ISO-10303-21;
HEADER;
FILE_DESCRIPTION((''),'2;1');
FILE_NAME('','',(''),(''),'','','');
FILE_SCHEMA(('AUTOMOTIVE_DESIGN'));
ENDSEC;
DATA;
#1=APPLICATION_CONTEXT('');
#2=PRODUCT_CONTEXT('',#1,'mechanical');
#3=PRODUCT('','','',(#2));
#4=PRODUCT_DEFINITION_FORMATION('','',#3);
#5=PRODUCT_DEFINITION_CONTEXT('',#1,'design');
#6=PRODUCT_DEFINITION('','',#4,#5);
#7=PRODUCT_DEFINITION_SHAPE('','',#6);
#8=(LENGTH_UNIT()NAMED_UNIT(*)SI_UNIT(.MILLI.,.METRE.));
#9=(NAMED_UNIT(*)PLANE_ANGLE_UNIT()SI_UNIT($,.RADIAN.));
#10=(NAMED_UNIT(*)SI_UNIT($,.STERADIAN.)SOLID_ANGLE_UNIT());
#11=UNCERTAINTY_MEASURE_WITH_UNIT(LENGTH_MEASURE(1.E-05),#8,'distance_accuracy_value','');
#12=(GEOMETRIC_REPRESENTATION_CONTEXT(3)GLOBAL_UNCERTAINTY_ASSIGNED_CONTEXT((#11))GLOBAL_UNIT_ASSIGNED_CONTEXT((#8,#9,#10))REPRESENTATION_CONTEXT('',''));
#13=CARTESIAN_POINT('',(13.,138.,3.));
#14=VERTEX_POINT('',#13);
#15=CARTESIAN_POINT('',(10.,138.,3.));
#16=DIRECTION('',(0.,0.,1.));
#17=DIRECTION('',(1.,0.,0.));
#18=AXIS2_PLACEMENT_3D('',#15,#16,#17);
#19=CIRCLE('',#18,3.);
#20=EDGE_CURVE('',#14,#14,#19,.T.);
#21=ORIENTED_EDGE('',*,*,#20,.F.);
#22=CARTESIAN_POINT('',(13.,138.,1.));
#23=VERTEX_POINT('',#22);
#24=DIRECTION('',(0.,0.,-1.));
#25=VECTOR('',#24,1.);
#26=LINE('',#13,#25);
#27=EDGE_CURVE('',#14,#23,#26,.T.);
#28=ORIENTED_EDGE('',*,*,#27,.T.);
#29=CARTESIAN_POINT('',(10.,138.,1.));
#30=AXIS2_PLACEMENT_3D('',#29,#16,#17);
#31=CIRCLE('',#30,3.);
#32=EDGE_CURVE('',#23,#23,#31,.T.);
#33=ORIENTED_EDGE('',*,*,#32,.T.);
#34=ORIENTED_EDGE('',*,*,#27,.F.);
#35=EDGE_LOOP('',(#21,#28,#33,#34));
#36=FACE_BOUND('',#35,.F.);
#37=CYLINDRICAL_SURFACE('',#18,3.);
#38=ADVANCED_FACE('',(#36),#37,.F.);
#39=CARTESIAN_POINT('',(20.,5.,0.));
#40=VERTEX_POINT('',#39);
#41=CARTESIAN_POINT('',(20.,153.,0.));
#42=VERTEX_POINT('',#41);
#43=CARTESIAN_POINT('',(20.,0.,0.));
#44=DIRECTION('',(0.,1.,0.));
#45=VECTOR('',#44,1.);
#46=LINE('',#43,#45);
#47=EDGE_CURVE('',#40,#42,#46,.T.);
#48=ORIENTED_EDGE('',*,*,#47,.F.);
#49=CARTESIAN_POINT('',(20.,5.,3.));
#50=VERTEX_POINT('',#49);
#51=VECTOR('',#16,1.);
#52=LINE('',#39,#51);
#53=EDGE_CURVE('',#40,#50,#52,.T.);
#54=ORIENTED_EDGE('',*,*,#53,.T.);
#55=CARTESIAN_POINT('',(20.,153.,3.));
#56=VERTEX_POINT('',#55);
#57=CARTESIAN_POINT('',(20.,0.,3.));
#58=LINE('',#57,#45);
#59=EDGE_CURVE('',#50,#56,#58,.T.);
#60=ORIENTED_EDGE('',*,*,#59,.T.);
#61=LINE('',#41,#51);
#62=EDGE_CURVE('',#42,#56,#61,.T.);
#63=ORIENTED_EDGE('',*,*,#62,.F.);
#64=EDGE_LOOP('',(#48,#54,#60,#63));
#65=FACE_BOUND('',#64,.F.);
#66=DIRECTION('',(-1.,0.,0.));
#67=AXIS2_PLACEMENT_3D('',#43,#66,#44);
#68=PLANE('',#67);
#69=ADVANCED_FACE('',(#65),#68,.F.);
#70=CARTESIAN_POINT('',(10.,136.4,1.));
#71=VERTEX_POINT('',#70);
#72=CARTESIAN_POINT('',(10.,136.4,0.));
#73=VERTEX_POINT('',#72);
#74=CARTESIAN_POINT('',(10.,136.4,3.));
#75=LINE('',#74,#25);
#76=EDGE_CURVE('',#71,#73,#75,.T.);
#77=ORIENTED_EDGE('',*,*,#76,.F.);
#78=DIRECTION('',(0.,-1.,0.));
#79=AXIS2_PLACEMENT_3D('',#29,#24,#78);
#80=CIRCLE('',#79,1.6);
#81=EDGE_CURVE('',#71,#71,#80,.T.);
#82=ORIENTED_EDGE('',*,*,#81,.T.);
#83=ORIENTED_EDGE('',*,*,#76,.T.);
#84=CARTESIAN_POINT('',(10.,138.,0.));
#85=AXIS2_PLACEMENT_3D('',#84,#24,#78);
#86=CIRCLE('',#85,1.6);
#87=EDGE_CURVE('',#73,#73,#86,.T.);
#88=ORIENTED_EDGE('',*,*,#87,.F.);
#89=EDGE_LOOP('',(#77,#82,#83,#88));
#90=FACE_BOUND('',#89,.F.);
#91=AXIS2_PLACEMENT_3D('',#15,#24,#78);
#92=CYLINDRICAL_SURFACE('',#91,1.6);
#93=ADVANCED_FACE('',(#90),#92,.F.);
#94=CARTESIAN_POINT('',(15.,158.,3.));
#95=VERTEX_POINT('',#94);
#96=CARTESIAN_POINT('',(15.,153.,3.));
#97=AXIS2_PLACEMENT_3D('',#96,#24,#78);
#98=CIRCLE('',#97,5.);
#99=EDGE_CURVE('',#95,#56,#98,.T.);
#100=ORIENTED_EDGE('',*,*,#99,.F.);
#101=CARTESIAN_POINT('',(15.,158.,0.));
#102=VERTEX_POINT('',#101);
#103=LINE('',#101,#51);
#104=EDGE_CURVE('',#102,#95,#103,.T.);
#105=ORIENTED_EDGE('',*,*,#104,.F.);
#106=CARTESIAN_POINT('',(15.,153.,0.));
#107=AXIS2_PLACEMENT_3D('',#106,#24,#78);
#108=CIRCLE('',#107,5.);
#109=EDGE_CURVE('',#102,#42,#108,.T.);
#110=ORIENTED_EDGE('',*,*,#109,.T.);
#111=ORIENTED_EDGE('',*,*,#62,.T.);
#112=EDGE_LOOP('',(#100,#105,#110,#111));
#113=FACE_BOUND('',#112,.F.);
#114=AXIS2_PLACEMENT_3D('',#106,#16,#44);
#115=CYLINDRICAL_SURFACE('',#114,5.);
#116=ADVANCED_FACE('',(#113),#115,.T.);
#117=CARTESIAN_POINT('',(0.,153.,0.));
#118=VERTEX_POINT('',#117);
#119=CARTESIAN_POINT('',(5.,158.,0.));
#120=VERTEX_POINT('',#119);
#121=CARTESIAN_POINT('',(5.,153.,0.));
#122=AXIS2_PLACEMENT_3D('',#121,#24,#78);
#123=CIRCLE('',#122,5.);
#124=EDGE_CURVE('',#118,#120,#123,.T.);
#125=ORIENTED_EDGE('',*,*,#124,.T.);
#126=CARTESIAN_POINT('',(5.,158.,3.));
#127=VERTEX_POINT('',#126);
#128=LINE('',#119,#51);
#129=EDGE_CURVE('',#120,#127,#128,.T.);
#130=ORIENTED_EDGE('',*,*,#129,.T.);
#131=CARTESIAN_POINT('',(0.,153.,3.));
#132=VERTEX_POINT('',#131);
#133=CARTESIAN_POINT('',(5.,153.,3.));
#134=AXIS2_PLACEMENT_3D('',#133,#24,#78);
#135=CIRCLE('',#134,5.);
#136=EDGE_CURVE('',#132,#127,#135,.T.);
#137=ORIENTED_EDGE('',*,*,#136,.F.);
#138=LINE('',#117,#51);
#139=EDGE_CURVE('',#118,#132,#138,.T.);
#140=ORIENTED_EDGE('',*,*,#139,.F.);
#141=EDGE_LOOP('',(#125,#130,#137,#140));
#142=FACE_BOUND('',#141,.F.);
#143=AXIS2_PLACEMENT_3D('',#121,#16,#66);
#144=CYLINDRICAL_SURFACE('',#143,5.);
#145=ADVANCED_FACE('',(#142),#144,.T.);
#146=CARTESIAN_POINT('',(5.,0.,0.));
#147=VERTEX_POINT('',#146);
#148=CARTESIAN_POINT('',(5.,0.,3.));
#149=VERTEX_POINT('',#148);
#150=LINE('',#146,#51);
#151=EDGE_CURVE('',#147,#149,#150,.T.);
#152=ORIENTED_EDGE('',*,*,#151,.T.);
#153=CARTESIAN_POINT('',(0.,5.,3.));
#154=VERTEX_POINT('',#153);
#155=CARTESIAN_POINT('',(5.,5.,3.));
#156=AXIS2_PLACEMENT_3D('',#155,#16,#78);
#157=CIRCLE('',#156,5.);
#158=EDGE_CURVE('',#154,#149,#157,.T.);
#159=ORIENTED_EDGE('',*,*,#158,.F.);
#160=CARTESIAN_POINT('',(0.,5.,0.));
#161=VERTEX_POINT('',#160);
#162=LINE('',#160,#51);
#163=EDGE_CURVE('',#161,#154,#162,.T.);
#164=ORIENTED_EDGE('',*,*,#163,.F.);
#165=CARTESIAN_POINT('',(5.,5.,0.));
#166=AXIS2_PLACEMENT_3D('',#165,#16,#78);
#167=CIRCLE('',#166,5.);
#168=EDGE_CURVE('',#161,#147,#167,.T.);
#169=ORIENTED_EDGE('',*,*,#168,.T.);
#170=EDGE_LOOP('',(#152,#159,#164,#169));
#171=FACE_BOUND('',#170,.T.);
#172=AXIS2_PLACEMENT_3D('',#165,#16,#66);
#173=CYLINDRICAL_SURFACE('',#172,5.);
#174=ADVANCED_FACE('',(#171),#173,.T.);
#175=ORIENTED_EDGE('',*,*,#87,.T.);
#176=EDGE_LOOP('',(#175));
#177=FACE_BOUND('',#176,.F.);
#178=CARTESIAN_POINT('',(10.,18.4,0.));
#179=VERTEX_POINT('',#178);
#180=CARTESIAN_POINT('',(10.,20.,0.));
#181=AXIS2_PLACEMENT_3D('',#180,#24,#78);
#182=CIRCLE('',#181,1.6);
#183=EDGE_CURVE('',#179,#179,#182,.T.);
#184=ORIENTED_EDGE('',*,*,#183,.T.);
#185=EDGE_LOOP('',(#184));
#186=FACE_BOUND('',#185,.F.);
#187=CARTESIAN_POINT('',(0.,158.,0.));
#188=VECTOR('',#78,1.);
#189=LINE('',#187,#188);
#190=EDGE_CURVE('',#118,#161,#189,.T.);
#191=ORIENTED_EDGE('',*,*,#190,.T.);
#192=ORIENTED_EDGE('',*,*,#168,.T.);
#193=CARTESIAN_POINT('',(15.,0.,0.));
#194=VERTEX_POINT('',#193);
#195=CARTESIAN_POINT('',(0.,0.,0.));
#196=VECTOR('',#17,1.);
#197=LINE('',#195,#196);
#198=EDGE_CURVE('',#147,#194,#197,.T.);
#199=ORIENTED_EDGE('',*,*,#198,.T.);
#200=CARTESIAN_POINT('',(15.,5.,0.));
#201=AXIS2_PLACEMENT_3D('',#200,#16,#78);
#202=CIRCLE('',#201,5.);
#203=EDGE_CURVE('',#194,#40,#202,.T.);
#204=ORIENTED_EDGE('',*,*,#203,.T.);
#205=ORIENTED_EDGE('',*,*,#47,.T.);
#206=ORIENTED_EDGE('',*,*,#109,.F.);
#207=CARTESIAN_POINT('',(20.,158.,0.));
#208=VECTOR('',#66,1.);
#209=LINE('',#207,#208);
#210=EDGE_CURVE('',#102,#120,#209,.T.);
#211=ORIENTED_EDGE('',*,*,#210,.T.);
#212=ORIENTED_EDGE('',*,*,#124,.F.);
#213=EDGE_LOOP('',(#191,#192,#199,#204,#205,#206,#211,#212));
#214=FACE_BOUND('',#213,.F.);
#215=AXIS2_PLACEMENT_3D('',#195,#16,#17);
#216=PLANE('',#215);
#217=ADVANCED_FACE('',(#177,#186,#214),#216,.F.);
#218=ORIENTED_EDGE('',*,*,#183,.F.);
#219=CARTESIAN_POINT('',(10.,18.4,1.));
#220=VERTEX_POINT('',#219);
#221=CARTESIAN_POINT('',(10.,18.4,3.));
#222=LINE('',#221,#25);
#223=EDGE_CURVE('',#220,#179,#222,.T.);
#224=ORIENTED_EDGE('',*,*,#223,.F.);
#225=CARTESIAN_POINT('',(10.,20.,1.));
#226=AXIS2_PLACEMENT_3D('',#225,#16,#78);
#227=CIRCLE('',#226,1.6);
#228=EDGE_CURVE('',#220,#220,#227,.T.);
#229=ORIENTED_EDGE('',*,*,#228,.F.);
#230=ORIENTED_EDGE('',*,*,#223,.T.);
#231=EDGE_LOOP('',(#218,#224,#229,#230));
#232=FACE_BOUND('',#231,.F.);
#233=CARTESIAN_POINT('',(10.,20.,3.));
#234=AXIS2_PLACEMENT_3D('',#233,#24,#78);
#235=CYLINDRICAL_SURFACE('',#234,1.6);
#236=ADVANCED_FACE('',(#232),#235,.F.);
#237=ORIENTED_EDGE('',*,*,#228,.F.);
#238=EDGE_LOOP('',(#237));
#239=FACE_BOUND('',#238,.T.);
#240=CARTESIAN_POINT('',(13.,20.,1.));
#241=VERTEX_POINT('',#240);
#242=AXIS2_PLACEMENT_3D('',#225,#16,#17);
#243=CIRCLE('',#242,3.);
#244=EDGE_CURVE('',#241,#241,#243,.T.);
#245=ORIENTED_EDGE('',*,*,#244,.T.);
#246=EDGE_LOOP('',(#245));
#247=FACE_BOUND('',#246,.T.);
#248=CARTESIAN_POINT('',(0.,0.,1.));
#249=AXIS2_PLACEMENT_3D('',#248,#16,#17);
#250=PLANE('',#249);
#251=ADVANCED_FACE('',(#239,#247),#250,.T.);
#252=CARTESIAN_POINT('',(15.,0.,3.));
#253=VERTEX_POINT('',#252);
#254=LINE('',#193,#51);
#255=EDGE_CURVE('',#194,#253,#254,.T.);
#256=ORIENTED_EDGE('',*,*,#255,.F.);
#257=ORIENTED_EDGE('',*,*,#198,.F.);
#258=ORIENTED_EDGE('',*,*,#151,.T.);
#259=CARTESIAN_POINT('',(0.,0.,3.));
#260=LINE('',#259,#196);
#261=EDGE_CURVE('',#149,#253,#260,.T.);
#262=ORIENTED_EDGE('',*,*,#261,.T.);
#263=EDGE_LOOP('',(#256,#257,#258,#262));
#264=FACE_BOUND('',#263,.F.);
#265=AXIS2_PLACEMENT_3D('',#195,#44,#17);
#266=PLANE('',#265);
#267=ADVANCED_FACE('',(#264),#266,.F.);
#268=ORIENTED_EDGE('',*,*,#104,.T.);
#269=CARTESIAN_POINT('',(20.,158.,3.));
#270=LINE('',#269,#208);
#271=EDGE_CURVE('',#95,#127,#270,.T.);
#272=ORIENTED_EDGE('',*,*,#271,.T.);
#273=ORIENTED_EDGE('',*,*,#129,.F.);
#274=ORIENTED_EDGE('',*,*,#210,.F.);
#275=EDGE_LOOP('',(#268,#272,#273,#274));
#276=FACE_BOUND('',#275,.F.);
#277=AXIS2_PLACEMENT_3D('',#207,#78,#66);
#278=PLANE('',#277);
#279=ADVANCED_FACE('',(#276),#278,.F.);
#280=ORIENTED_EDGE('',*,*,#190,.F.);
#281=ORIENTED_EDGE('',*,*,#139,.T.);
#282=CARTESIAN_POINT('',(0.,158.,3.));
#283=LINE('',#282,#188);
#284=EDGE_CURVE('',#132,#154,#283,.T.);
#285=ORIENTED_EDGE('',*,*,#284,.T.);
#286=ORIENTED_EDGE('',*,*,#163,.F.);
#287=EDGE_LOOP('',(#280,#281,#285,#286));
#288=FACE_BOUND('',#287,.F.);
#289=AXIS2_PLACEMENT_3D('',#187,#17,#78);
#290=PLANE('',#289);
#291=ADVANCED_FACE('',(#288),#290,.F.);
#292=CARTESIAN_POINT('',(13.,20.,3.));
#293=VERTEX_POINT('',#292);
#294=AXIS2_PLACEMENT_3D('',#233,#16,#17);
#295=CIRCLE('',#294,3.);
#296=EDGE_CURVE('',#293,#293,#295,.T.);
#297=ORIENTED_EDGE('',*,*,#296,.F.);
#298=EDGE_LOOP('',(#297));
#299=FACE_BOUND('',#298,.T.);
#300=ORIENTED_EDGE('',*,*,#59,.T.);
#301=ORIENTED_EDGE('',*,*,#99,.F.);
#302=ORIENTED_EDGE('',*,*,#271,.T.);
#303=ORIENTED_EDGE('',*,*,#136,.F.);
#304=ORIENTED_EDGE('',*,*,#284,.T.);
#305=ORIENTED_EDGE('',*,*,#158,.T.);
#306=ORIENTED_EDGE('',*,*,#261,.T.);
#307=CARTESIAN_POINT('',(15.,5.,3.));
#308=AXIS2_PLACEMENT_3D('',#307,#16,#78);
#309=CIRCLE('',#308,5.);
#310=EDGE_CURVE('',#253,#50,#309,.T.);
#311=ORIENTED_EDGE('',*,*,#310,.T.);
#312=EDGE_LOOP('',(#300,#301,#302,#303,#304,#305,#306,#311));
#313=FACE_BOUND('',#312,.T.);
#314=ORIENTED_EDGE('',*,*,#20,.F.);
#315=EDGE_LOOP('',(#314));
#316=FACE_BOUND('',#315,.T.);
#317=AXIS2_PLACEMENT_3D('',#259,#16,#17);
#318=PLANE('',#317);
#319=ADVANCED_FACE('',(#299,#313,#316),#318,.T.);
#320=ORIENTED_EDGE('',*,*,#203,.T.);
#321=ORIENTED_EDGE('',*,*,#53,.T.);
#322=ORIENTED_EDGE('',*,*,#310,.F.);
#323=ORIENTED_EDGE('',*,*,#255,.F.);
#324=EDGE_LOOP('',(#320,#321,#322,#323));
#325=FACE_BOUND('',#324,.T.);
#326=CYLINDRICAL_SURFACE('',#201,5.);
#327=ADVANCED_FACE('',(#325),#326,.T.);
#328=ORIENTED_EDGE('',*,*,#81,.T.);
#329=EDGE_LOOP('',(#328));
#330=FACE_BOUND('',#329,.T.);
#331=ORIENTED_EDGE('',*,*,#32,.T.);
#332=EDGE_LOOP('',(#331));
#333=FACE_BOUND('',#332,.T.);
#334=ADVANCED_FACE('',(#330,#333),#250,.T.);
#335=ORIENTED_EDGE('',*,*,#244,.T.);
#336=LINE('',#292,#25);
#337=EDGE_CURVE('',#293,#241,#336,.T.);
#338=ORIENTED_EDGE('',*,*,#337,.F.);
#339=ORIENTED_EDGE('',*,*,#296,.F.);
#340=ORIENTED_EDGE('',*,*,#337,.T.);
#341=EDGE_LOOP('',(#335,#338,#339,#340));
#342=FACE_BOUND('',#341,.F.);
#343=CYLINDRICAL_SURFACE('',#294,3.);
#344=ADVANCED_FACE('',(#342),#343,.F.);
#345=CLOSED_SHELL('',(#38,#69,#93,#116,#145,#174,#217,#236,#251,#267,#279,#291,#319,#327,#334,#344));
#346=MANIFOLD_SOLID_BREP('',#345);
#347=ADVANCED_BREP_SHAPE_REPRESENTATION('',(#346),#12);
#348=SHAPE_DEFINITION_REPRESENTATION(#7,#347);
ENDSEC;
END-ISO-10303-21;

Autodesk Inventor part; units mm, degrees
ref_plane "YZ Plane" through (0, 0, 0) normal (1, 0, 0) x (0, 1, 0)
ref_plane "XZ Plane" through (0, 0, 0) normal (0, 1, 0) x (-1, 0, 0)
ref_plane "XY Plane" through (0, 0, 0) normal (0, 0, 1) x (1, 0, 0)
sketch "スケッチ1" plane through (0, 0, 0) normal (0, 0, 1) x (1, 0, 0)
  line L0 (0, 0) -> (20, 0)
  line L1 (20, 0) -> (20, 158)
  line L2 (20, 158) -> (0, 158)
  line L3 (0, 158) -> (0, 0)
  dimension "d0" = 158
  dimension "d1" = 20
extrude "押し出し1" add sketch "スケッチ1" along normal blind 3
sketch "スケッチ2" plane through (0, 0, 3) normal (0, 0, 1) x (1, 0, 0)
  line L0 (0, 0) -> (20, 0) projected
  line L1 (20, 0) -> (20, 158) projected
  point P0 (10, 138)
  point P1 (10, 20)
  dimension "d4" = 20
  dimension "d5" = 118
  dimension "d6" = 10
  dimension "d7" = 10
hole "穴1" at (10, 138, 3) at (10, 20, 3) direction (0, 0, -1) diameter 3.2 depth 8
sketch "スケッチ3" plane through (0, 0, 3) normal (0, 0, 1) x (1, 0, 0)
  circle A0 centre (10, 20) radius 1.6 projected
  circle A1 centre (10, 138) radius 1.6 projected
  line L0 (20, 0) -> (20, 158) projected
  line L1 (20, 158) -> (0, 158) projected
  line L2 (0, 158) -> (0, 0) projected
  line L3 (0, 0) -> (20, 0) projected
  circle A2 centre (10, 138) radius 3
  circle A3 centre (10, 20) radius 3
  dimension "d15" = 6
  dimension "d16" = 6
extrude "押し出し2" cut sketch "スケッチ3" against normal blind 2 contours A1 | A2 | A3
fillet "フィレット1" radius 5 4 edges at (0, 158, 1.5) (20, 158, 1.5) (0, 0, 1.5) (20, 0, 1.5)
equation "\"d7\" = d6"
equation "\"d16\" = d15"
properties part number "BP_BOX-Bar"
